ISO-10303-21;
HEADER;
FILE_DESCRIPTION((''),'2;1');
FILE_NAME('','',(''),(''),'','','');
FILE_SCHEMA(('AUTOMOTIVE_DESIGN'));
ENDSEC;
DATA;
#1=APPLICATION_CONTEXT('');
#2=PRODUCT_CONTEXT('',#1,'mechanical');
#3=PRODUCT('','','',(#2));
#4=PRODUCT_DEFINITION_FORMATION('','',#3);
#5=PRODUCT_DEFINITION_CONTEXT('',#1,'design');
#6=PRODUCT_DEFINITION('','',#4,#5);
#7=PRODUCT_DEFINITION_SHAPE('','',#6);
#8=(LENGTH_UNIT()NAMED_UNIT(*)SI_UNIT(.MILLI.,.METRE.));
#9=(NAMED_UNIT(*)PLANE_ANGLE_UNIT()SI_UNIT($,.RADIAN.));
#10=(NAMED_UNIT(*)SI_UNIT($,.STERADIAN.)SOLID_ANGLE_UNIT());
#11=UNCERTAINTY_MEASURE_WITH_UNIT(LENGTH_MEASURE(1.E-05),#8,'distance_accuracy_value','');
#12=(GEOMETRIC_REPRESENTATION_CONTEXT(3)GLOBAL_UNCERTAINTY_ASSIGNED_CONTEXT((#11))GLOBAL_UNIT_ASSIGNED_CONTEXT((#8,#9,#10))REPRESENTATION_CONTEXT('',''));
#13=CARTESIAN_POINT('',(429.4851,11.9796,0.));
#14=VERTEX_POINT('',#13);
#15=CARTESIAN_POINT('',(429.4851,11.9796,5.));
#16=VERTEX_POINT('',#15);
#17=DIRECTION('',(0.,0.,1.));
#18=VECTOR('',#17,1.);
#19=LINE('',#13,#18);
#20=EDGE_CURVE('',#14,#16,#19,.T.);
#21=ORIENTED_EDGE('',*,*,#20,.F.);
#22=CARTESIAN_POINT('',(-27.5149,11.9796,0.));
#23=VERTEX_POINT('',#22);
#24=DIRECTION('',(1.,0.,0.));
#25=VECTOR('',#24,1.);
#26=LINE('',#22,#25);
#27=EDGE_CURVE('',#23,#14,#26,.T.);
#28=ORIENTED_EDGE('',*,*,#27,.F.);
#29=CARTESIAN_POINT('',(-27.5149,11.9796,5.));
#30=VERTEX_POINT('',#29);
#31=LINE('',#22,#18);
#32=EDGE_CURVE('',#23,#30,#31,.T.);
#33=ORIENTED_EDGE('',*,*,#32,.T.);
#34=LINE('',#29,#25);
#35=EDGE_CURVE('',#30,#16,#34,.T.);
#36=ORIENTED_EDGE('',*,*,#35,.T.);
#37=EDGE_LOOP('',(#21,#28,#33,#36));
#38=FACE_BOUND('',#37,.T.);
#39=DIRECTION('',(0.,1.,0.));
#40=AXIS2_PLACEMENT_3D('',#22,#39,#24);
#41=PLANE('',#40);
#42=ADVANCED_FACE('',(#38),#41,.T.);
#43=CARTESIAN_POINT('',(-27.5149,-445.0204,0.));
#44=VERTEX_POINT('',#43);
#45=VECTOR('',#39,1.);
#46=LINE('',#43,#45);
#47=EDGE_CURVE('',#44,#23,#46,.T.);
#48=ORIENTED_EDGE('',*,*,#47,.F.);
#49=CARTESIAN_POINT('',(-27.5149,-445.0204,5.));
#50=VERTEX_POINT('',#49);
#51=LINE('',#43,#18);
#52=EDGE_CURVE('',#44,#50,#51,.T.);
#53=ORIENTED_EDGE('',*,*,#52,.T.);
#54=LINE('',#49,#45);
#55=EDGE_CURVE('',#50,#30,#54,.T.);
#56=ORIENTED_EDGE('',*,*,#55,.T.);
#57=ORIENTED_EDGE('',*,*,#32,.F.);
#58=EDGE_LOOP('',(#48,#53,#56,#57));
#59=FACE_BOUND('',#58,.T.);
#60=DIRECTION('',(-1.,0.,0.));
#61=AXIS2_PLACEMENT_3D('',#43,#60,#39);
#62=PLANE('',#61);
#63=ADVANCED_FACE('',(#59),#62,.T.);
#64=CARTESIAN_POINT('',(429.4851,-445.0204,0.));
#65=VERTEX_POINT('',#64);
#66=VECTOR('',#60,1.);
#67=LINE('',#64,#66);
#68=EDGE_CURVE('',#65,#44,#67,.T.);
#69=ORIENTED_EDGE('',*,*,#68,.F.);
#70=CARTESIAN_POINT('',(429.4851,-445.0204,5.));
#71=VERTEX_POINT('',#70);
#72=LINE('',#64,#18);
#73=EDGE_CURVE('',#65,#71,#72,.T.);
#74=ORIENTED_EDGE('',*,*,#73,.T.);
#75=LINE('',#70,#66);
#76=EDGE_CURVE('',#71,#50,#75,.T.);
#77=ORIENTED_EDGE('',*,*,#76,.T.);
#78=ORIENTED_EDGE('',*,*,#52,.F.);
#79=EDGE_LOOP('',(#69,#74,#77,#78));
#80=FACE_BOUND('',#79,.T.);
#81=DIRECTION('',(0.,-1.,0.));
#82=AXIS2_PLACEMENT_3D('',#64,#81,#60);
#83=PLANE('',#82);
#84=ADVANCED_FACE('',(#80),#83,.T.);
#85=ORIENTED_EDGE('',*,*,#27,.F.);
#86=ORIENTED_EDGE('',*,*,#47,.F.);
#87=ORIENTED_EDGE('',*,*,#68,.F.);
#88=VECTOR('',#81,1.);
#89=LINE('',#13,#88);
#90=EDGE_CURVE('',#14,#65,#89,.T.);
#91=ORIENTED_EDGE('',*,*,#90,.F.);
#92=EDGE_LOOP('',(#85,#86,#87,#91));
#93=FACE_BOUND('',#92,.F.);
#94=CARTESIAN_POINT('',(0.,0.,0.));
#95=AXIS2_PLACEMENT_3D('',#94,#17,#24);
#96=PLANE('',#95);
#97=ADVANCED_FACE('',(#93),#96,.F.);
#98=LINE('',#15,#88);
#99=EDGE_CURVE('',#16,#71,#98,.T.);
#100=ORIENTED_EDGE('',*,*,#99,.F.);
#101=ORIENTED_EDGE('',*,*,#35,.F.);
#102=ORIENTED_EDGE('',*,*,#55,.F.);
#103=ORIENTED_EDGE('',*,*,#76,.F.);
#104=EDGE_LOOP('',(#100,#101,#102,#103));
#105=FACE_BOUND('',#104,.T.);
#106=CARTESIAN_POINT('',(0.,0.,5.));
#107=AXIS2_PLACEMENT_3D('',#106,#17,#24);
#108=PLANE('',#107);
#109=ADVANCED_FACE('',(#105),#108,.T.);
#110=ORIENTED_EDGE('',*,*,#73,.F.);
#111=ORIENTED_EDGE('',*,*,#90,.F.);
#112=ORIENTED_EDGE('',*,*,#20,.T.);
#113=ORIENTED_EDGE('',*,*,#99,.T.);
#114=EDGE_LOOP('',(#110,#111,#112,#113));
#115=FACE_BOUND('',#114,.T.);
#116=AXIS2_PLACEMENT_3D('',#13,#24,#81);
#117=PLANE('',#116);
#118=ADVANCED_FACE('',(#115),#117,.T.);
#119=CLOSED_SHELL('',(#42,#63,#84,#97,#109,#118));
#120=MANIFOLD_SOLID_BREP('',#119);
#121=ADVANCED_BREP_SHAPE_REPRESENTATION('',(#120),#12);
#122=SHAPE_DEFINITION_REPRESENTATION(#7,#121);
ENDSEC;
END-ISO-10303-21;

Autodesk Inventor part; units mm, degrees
ref_plane "YZ Plane" through (0, 0, 0) normal (1, 0, 0) x (0, 1, 0)
ref_plane "XZ Plane" through (0, 0, 0) normal (0, 1, 0) x (-1, 0, 0)
ref_plane "XY Plane" through (0, 0, 0) normal (0, 0, 1) x (1, 0, 0)
sketch "Sketch1" plane through (0, 0, 0) normal (0, 0, 1) x (1, 0, 0)
  line L0 (-27.5149, 11.9796) -> (429.4851, 11.9796)
  line L1 (429.4851, 11.9796) -> (429.4851, -445.0204)
  line L2 (429.4851, -445.0204) -> (-27.5149, -445.0204)
  line L3 (-27.5149, -445.0204) -> (-27.5149, 11.9796)
  point P0 (0, 0)
  dimension "d0" = 457
  dimension "d1" = 457
extrude "Extrusion1" add sketch "Sketch1" along normal blind 5
properties part number "rectangle upper portion" material "Glass"
